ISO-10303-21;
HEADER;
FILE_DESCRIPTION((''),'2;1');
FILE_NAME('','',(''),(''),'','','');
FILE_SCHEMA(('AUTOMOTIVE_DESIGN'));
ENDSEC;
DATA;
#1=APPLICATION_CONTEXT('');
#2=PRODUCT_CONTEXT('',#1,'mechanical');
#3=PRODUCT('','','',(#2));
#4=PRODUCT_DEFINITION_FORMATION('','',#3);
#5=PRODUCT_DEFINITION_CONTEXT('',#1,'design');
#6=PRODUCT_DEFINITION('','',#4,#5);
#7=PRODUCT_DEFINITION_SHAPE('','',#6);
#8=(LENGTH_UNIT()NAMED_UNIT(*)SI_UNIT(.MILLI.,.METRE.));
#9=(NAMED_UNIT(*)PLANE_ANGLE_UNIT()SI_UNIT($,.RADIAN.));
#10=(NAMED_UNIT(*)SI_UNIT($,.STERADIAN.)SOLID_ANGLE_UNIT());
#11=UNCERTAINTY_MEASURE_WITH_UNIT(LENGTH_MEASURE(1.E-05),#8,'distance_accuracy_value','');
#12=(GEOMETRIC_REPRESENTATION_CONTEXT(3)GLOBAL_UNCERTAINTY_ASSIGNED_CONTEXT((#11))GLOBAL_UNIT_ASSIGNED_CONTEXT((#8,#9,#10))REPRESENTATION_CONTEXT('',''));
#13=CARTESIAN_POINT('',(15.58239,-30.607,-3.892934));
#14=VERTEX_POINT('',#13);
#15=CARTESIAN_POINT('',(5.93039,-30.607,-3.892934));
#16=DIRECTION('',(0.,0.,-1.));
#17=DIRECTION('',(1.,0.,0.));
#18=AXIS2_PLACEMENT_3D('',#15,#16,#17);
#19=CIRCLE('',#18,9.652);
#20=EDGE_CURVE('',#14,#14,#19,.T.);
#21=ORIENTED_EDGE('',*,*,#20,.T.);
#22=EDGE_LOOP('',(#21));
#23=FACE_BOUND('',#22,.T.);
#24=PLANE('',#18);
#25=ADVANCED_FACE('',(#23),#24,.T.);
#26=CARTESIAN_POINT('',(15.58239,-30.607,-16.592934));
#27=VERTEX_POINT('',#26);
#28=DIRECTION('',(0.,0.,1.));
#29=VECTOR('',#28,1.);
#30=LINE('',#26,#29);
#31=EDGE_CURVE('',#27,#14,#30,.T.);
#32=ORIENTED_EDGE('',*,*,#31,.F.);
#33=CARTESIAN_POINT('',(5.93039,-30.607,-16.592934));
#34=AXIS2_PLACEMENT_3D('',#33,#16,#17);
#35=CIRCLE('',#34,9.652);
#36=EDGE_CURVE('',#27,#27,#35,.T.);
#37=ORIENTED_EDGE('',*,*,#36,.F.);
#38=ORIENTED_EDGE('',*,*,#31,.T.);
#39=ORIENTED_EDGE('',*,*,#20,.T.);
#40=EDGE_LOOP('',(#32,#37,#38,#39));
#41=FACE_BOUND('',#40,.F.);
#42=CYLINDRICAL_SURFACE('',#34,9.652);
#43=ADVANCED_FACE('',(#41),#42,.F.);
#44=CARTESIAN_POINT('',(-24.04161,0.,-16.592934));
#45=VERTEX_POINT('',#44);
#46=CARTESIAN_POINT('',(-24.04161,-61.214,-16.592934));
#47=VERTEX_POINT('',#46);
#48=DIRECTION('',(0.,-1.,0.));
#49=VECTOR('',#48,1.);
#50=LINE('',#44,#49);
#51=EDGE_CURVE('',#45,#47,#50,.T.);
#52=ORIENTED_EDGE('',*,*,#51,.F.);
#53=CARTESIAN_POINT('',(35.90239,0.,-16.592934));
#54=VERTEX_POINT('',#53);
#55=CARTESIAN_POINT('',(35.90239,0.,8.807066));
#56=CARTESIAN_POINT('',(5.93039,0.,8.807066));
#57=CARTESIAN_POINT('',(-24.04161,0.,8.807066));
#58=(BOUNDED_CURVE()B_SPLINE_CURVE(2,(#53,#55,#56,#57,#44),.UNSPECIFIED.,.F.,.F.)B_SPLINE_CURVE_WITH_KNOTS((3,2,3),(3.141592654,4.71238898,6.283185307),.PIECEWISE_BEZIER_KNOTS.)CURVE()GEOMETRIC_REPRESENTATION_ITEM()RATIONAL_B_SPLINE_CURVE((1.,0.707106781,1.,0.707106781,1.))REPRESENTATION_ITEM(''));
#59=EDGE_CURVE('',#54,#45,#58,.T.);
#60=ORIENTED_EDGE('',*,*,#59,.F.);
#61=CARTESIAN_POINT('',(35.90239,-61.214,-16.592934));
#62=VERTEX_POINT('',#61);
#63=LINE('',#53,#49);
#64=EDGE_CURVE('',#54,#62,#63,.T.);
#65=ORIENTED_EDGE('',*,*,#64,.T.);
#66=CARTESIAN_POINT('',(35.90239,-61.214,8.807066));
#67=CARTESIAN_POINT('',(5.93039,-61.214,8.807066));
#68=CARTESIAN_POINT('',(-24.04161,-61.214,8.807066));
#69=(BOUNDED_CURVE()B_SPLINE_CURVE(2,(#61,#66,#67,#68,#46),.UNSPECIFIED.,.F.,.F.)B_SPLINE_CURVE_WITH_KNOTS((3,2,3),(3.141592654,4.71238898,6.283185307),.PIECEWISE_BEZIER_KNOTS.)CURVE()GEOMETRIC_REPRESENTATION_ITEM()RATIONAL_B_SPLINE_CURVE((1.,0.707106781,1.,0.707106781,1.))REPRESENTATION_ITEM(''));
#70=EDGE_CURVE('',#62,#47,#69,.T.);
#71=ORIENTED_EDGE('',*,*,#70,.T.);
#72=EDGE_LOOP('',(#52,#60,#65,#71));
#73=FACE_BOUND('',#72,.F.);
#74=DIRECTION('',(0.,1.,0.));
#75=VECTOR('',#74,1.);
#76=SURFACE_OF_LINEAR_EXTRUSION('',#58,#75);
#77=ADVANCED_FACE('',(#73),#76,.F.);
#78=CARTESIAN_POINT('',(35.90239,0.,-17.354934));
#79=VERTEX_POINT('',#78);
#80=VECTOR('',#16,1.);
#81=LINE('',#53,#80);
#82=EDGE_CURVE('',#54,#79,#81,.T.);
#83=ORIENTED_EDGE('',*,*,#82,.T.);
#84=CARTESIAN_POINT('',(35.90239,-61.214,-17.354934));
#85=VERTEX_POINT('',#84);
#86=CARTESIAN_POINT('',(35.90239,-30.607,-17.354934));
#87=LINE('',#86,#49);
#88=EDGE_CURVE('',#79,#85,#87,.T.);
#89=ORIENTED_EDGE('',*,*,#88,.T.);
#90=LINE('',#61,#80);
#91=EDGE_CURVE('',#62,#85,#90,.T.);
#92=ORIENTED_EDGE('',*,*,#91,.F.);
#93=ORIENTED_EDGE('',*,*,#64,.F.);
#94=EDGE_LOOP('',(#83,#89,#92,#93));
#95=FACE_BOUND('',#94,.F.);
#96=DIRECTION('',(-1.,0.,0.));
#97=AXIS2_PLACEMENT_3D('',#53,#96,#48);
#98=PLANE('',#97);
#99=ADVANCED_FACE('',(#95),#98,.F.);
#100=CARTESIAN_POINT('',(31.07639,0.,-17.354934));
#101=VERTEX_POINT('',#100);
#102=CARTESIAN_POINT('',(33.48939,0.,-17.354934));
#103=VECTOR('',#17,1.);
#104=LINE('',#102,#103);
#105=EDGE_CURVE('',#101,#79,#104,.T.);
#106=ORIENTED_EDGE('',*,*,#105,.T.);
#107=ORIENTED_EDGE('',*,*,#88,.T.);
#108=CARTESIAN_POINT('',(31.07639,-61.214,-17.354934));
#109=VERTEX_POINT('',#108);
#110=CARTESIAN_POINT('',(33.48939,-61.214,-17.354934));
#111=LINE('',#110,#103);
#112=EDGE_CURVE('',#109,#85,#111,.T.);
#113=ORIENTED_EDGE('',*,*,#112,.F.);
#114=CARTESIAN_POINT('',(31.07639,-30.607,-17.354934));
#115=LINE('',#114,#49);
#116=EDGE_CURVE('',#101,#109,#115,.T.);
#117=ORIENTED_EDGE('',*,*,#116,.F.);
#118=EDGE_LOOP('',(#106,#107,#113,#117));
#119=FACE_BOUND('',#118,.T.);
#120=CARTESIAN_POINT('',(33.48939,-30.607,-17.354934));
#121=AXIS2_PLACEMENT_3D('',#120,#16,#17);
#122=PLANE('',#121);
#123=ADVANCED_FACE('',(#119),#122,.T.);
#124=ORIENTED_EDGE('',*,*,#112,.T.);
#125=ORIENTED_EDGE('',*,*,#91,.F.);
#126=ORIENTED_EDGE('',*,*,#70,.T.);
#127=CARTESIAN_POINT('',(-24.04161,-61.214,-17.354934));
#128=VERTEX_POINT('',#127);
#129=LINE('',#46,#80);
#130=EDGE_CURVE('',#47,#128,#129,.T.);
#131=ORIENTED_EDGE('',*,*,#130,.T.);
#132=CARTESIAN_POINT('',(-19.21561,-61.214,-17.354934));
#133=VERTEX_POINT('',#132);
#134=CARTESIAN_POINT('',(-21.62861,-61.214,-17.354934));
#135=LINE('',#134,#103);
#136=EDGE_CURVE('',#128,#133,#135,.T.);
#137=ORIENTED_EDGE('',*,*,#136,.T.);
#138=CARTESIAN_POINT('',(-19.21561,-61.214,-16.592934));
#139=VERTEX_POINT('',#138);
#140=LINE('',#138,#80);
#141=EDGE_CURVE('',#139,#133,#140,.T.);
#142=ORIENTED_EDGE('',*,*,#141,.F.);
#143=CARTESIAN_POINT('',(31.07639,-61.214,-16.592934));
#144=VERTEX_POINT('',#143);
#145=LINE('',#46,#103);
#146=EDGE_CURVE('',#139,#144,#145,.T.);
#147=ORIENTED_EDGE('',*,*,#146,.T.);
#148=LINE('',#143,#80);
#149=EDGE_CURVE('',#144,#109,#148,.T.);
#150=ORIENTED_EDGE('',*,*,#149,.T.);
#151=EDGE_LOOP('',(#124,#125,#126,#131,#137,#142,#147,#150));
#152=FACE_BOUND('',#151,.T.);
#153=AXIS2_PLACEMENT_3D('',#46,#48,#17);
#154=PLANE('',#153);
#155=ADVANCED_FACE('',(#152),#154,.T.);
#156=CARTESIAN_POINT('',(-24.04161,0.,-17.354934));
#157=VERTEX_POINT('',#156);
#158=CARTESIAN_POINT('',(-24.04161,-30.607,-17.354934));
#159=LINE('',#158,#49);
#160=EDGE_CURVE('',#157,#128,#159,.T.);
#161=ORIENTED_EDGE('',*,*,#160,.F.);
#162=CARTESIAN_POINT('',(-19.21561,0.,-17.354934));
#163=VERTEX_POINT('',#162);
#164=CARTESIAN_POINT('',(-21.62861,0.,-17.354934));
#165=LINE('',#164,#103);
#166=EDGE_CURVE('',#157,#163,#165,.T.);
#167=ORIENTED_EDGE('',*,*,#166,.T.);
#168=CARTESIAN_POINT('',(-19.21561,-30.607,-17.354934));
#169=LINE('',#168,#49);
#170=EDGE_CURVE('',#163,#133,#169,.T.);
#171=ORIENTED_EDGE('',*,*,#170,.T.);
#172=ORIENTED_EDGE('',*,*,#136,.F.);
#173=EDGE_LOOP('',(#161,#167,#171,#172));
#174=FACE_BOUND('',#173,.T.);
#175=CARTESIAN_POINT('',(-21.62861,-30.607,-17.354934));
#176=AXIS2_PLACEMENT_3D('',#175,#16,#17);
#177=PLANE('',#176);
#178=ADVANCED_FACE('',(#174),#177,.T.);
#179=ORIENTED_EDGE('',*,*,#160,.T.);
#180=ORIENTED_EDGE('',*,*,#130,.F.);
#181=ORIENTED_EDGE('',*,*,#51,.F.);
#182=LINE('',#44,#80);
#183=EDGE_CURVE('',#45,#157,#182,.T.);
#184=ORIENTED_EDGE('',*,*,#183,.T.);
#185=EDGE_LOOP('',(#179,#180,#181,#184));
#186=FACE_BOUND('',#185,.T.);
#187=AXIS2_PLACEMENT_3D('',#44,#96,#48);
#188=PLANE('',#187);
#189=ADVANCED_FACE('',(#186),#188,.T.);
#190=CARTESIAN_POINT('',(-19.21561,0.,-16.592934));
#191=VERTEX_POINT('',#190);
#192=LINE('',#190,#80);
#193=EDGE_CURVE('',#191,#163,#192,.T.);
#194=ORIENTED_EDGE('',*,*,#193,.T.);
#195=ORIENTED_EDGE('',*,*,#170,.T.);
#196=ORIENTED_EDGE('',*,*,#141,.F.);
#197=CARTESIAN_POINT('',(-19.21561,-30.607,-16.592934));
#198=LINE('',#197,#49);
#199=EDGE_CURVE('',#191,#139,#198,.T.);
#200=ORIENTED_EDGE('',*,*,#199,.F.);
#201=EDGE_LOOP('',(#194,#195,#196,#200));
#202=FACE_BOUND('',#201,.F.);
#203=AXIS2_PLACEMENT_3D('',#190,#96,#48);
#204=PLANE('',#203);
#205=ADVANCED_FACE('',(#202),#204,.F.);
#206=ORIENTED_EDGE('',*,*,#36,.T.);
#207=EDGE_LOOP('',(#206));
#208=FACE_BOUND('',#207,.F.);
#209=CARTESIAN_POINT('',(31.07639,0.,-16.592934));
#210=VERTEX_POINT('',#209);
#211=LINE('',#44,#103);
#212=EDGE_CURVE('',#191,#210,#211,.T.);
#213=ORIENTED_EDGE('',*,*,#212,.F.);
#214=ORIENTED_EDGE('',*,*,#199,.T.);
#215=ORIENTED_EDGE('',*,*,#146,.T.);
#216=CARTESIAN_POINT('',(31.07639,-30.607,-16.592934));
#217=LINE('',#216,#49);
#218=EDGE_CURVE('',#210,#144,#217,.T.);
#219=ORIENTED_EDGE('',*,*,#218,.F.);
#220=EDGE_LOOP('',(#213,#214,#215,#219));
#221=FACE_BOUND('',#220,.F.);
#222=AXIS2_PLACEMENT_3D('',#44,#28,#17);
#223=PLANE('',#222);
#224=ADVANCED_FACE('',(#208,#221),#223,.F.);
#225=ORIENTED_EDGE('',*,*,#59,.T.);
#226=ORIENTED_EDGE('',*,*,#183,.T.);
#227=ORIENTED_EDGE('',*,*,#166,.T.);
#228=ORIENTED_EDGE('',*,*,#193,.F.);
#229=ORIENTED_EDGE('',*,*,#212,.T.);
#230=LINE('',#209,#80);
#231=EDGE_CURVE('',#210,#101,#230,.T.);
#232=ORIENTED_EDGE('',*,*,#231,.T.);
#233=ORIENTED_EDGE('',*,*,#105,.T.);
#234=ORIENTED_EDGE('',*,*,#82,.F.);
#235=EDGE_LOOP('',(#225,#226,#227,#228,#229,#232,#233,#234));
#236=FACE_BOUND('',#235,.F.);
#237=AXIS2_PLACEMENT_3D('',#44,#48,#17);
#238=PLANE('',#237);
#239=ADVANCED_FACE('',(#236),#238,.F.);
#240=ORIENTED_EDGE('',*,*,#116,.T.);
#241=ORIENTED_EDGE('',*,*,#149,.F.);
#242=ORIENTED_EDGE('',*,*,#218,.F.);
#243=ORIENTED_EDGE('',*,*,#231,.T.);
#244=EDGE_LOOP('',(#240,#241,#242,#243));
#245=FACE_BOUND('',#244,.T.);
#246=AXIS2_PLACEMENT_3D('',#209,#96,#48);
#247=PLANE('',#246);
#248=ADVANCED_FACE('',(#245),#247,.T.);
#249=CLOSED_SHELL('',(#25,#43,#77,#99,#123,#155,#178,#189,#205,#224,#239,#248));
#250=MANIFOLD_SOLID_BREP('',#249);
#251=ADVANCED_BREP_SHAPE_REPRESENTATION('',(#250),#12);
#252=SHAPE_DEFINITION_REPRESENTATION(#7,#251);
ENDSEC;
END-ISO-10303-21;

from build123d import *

# Parameters (mm, degrees)
F1_DEPTH = 61.214
F2_W     = 4.826
F2_H     = 61.214
F3_DEPTH = 0.762
F4_R     = 9.652
F5_DEPTH = 12.7


with BuildPart() as f1:
    # F0 (on Front) → F1 (new body)
    with BuildSketch(Plane.XZ):
        with BuildLine():
            add(Edge.make_bspline(
                [(35.902390209, -16.5929342094), (35.902390209, 8.8070657906), (5.930390209, 8.8070657906), (-24.041609791, 8.8070657906), (-24.041609791, -16.5929342094)],
                knots=[3.1415926536, 3.1415926536, 3.1415926536, 4.7123889804, 4.7123889804, 6.2831853072, 6.2831853072, 6.2831853072], degree=2, weights=[1, 0.7071067812, 1, 0.7071067812, 1]))
            Line((-24.041609791, -16.5929342094), (35.902390209, -16.5929342094))
        make_face()
    extrude(amount=F1_DEPTH)

    # F2 (on face) → F3 (join)
    with BuildSketch(Plane(origin=(0, 0, -16.5929342094), x_dir=(1, 0, 0), z_dir=(0, 0, -1))):
        with Locations((-21.628609791, 30.607)):
            Rectangle(F2_W, F2_H)
        with Locations((33.489390209, 30.607)):
            Rectangle(F2_W, F2_H)
    extrude(amount=F3_DEPTH)

    # F4 (on face) → F5 (cut)
    with BuildSketch(Plane(origin=(0, 0, -16.5929342094), x_dir=(1, 0, 0), z_dir=(0, 0, -1))):
        with Locations((5.930390209, 30.607)):
            Circle(F4_R)
    extrude(amount=-F5_DEPTH, mode=Mode.SUBTRACT)


solid = f1.part
